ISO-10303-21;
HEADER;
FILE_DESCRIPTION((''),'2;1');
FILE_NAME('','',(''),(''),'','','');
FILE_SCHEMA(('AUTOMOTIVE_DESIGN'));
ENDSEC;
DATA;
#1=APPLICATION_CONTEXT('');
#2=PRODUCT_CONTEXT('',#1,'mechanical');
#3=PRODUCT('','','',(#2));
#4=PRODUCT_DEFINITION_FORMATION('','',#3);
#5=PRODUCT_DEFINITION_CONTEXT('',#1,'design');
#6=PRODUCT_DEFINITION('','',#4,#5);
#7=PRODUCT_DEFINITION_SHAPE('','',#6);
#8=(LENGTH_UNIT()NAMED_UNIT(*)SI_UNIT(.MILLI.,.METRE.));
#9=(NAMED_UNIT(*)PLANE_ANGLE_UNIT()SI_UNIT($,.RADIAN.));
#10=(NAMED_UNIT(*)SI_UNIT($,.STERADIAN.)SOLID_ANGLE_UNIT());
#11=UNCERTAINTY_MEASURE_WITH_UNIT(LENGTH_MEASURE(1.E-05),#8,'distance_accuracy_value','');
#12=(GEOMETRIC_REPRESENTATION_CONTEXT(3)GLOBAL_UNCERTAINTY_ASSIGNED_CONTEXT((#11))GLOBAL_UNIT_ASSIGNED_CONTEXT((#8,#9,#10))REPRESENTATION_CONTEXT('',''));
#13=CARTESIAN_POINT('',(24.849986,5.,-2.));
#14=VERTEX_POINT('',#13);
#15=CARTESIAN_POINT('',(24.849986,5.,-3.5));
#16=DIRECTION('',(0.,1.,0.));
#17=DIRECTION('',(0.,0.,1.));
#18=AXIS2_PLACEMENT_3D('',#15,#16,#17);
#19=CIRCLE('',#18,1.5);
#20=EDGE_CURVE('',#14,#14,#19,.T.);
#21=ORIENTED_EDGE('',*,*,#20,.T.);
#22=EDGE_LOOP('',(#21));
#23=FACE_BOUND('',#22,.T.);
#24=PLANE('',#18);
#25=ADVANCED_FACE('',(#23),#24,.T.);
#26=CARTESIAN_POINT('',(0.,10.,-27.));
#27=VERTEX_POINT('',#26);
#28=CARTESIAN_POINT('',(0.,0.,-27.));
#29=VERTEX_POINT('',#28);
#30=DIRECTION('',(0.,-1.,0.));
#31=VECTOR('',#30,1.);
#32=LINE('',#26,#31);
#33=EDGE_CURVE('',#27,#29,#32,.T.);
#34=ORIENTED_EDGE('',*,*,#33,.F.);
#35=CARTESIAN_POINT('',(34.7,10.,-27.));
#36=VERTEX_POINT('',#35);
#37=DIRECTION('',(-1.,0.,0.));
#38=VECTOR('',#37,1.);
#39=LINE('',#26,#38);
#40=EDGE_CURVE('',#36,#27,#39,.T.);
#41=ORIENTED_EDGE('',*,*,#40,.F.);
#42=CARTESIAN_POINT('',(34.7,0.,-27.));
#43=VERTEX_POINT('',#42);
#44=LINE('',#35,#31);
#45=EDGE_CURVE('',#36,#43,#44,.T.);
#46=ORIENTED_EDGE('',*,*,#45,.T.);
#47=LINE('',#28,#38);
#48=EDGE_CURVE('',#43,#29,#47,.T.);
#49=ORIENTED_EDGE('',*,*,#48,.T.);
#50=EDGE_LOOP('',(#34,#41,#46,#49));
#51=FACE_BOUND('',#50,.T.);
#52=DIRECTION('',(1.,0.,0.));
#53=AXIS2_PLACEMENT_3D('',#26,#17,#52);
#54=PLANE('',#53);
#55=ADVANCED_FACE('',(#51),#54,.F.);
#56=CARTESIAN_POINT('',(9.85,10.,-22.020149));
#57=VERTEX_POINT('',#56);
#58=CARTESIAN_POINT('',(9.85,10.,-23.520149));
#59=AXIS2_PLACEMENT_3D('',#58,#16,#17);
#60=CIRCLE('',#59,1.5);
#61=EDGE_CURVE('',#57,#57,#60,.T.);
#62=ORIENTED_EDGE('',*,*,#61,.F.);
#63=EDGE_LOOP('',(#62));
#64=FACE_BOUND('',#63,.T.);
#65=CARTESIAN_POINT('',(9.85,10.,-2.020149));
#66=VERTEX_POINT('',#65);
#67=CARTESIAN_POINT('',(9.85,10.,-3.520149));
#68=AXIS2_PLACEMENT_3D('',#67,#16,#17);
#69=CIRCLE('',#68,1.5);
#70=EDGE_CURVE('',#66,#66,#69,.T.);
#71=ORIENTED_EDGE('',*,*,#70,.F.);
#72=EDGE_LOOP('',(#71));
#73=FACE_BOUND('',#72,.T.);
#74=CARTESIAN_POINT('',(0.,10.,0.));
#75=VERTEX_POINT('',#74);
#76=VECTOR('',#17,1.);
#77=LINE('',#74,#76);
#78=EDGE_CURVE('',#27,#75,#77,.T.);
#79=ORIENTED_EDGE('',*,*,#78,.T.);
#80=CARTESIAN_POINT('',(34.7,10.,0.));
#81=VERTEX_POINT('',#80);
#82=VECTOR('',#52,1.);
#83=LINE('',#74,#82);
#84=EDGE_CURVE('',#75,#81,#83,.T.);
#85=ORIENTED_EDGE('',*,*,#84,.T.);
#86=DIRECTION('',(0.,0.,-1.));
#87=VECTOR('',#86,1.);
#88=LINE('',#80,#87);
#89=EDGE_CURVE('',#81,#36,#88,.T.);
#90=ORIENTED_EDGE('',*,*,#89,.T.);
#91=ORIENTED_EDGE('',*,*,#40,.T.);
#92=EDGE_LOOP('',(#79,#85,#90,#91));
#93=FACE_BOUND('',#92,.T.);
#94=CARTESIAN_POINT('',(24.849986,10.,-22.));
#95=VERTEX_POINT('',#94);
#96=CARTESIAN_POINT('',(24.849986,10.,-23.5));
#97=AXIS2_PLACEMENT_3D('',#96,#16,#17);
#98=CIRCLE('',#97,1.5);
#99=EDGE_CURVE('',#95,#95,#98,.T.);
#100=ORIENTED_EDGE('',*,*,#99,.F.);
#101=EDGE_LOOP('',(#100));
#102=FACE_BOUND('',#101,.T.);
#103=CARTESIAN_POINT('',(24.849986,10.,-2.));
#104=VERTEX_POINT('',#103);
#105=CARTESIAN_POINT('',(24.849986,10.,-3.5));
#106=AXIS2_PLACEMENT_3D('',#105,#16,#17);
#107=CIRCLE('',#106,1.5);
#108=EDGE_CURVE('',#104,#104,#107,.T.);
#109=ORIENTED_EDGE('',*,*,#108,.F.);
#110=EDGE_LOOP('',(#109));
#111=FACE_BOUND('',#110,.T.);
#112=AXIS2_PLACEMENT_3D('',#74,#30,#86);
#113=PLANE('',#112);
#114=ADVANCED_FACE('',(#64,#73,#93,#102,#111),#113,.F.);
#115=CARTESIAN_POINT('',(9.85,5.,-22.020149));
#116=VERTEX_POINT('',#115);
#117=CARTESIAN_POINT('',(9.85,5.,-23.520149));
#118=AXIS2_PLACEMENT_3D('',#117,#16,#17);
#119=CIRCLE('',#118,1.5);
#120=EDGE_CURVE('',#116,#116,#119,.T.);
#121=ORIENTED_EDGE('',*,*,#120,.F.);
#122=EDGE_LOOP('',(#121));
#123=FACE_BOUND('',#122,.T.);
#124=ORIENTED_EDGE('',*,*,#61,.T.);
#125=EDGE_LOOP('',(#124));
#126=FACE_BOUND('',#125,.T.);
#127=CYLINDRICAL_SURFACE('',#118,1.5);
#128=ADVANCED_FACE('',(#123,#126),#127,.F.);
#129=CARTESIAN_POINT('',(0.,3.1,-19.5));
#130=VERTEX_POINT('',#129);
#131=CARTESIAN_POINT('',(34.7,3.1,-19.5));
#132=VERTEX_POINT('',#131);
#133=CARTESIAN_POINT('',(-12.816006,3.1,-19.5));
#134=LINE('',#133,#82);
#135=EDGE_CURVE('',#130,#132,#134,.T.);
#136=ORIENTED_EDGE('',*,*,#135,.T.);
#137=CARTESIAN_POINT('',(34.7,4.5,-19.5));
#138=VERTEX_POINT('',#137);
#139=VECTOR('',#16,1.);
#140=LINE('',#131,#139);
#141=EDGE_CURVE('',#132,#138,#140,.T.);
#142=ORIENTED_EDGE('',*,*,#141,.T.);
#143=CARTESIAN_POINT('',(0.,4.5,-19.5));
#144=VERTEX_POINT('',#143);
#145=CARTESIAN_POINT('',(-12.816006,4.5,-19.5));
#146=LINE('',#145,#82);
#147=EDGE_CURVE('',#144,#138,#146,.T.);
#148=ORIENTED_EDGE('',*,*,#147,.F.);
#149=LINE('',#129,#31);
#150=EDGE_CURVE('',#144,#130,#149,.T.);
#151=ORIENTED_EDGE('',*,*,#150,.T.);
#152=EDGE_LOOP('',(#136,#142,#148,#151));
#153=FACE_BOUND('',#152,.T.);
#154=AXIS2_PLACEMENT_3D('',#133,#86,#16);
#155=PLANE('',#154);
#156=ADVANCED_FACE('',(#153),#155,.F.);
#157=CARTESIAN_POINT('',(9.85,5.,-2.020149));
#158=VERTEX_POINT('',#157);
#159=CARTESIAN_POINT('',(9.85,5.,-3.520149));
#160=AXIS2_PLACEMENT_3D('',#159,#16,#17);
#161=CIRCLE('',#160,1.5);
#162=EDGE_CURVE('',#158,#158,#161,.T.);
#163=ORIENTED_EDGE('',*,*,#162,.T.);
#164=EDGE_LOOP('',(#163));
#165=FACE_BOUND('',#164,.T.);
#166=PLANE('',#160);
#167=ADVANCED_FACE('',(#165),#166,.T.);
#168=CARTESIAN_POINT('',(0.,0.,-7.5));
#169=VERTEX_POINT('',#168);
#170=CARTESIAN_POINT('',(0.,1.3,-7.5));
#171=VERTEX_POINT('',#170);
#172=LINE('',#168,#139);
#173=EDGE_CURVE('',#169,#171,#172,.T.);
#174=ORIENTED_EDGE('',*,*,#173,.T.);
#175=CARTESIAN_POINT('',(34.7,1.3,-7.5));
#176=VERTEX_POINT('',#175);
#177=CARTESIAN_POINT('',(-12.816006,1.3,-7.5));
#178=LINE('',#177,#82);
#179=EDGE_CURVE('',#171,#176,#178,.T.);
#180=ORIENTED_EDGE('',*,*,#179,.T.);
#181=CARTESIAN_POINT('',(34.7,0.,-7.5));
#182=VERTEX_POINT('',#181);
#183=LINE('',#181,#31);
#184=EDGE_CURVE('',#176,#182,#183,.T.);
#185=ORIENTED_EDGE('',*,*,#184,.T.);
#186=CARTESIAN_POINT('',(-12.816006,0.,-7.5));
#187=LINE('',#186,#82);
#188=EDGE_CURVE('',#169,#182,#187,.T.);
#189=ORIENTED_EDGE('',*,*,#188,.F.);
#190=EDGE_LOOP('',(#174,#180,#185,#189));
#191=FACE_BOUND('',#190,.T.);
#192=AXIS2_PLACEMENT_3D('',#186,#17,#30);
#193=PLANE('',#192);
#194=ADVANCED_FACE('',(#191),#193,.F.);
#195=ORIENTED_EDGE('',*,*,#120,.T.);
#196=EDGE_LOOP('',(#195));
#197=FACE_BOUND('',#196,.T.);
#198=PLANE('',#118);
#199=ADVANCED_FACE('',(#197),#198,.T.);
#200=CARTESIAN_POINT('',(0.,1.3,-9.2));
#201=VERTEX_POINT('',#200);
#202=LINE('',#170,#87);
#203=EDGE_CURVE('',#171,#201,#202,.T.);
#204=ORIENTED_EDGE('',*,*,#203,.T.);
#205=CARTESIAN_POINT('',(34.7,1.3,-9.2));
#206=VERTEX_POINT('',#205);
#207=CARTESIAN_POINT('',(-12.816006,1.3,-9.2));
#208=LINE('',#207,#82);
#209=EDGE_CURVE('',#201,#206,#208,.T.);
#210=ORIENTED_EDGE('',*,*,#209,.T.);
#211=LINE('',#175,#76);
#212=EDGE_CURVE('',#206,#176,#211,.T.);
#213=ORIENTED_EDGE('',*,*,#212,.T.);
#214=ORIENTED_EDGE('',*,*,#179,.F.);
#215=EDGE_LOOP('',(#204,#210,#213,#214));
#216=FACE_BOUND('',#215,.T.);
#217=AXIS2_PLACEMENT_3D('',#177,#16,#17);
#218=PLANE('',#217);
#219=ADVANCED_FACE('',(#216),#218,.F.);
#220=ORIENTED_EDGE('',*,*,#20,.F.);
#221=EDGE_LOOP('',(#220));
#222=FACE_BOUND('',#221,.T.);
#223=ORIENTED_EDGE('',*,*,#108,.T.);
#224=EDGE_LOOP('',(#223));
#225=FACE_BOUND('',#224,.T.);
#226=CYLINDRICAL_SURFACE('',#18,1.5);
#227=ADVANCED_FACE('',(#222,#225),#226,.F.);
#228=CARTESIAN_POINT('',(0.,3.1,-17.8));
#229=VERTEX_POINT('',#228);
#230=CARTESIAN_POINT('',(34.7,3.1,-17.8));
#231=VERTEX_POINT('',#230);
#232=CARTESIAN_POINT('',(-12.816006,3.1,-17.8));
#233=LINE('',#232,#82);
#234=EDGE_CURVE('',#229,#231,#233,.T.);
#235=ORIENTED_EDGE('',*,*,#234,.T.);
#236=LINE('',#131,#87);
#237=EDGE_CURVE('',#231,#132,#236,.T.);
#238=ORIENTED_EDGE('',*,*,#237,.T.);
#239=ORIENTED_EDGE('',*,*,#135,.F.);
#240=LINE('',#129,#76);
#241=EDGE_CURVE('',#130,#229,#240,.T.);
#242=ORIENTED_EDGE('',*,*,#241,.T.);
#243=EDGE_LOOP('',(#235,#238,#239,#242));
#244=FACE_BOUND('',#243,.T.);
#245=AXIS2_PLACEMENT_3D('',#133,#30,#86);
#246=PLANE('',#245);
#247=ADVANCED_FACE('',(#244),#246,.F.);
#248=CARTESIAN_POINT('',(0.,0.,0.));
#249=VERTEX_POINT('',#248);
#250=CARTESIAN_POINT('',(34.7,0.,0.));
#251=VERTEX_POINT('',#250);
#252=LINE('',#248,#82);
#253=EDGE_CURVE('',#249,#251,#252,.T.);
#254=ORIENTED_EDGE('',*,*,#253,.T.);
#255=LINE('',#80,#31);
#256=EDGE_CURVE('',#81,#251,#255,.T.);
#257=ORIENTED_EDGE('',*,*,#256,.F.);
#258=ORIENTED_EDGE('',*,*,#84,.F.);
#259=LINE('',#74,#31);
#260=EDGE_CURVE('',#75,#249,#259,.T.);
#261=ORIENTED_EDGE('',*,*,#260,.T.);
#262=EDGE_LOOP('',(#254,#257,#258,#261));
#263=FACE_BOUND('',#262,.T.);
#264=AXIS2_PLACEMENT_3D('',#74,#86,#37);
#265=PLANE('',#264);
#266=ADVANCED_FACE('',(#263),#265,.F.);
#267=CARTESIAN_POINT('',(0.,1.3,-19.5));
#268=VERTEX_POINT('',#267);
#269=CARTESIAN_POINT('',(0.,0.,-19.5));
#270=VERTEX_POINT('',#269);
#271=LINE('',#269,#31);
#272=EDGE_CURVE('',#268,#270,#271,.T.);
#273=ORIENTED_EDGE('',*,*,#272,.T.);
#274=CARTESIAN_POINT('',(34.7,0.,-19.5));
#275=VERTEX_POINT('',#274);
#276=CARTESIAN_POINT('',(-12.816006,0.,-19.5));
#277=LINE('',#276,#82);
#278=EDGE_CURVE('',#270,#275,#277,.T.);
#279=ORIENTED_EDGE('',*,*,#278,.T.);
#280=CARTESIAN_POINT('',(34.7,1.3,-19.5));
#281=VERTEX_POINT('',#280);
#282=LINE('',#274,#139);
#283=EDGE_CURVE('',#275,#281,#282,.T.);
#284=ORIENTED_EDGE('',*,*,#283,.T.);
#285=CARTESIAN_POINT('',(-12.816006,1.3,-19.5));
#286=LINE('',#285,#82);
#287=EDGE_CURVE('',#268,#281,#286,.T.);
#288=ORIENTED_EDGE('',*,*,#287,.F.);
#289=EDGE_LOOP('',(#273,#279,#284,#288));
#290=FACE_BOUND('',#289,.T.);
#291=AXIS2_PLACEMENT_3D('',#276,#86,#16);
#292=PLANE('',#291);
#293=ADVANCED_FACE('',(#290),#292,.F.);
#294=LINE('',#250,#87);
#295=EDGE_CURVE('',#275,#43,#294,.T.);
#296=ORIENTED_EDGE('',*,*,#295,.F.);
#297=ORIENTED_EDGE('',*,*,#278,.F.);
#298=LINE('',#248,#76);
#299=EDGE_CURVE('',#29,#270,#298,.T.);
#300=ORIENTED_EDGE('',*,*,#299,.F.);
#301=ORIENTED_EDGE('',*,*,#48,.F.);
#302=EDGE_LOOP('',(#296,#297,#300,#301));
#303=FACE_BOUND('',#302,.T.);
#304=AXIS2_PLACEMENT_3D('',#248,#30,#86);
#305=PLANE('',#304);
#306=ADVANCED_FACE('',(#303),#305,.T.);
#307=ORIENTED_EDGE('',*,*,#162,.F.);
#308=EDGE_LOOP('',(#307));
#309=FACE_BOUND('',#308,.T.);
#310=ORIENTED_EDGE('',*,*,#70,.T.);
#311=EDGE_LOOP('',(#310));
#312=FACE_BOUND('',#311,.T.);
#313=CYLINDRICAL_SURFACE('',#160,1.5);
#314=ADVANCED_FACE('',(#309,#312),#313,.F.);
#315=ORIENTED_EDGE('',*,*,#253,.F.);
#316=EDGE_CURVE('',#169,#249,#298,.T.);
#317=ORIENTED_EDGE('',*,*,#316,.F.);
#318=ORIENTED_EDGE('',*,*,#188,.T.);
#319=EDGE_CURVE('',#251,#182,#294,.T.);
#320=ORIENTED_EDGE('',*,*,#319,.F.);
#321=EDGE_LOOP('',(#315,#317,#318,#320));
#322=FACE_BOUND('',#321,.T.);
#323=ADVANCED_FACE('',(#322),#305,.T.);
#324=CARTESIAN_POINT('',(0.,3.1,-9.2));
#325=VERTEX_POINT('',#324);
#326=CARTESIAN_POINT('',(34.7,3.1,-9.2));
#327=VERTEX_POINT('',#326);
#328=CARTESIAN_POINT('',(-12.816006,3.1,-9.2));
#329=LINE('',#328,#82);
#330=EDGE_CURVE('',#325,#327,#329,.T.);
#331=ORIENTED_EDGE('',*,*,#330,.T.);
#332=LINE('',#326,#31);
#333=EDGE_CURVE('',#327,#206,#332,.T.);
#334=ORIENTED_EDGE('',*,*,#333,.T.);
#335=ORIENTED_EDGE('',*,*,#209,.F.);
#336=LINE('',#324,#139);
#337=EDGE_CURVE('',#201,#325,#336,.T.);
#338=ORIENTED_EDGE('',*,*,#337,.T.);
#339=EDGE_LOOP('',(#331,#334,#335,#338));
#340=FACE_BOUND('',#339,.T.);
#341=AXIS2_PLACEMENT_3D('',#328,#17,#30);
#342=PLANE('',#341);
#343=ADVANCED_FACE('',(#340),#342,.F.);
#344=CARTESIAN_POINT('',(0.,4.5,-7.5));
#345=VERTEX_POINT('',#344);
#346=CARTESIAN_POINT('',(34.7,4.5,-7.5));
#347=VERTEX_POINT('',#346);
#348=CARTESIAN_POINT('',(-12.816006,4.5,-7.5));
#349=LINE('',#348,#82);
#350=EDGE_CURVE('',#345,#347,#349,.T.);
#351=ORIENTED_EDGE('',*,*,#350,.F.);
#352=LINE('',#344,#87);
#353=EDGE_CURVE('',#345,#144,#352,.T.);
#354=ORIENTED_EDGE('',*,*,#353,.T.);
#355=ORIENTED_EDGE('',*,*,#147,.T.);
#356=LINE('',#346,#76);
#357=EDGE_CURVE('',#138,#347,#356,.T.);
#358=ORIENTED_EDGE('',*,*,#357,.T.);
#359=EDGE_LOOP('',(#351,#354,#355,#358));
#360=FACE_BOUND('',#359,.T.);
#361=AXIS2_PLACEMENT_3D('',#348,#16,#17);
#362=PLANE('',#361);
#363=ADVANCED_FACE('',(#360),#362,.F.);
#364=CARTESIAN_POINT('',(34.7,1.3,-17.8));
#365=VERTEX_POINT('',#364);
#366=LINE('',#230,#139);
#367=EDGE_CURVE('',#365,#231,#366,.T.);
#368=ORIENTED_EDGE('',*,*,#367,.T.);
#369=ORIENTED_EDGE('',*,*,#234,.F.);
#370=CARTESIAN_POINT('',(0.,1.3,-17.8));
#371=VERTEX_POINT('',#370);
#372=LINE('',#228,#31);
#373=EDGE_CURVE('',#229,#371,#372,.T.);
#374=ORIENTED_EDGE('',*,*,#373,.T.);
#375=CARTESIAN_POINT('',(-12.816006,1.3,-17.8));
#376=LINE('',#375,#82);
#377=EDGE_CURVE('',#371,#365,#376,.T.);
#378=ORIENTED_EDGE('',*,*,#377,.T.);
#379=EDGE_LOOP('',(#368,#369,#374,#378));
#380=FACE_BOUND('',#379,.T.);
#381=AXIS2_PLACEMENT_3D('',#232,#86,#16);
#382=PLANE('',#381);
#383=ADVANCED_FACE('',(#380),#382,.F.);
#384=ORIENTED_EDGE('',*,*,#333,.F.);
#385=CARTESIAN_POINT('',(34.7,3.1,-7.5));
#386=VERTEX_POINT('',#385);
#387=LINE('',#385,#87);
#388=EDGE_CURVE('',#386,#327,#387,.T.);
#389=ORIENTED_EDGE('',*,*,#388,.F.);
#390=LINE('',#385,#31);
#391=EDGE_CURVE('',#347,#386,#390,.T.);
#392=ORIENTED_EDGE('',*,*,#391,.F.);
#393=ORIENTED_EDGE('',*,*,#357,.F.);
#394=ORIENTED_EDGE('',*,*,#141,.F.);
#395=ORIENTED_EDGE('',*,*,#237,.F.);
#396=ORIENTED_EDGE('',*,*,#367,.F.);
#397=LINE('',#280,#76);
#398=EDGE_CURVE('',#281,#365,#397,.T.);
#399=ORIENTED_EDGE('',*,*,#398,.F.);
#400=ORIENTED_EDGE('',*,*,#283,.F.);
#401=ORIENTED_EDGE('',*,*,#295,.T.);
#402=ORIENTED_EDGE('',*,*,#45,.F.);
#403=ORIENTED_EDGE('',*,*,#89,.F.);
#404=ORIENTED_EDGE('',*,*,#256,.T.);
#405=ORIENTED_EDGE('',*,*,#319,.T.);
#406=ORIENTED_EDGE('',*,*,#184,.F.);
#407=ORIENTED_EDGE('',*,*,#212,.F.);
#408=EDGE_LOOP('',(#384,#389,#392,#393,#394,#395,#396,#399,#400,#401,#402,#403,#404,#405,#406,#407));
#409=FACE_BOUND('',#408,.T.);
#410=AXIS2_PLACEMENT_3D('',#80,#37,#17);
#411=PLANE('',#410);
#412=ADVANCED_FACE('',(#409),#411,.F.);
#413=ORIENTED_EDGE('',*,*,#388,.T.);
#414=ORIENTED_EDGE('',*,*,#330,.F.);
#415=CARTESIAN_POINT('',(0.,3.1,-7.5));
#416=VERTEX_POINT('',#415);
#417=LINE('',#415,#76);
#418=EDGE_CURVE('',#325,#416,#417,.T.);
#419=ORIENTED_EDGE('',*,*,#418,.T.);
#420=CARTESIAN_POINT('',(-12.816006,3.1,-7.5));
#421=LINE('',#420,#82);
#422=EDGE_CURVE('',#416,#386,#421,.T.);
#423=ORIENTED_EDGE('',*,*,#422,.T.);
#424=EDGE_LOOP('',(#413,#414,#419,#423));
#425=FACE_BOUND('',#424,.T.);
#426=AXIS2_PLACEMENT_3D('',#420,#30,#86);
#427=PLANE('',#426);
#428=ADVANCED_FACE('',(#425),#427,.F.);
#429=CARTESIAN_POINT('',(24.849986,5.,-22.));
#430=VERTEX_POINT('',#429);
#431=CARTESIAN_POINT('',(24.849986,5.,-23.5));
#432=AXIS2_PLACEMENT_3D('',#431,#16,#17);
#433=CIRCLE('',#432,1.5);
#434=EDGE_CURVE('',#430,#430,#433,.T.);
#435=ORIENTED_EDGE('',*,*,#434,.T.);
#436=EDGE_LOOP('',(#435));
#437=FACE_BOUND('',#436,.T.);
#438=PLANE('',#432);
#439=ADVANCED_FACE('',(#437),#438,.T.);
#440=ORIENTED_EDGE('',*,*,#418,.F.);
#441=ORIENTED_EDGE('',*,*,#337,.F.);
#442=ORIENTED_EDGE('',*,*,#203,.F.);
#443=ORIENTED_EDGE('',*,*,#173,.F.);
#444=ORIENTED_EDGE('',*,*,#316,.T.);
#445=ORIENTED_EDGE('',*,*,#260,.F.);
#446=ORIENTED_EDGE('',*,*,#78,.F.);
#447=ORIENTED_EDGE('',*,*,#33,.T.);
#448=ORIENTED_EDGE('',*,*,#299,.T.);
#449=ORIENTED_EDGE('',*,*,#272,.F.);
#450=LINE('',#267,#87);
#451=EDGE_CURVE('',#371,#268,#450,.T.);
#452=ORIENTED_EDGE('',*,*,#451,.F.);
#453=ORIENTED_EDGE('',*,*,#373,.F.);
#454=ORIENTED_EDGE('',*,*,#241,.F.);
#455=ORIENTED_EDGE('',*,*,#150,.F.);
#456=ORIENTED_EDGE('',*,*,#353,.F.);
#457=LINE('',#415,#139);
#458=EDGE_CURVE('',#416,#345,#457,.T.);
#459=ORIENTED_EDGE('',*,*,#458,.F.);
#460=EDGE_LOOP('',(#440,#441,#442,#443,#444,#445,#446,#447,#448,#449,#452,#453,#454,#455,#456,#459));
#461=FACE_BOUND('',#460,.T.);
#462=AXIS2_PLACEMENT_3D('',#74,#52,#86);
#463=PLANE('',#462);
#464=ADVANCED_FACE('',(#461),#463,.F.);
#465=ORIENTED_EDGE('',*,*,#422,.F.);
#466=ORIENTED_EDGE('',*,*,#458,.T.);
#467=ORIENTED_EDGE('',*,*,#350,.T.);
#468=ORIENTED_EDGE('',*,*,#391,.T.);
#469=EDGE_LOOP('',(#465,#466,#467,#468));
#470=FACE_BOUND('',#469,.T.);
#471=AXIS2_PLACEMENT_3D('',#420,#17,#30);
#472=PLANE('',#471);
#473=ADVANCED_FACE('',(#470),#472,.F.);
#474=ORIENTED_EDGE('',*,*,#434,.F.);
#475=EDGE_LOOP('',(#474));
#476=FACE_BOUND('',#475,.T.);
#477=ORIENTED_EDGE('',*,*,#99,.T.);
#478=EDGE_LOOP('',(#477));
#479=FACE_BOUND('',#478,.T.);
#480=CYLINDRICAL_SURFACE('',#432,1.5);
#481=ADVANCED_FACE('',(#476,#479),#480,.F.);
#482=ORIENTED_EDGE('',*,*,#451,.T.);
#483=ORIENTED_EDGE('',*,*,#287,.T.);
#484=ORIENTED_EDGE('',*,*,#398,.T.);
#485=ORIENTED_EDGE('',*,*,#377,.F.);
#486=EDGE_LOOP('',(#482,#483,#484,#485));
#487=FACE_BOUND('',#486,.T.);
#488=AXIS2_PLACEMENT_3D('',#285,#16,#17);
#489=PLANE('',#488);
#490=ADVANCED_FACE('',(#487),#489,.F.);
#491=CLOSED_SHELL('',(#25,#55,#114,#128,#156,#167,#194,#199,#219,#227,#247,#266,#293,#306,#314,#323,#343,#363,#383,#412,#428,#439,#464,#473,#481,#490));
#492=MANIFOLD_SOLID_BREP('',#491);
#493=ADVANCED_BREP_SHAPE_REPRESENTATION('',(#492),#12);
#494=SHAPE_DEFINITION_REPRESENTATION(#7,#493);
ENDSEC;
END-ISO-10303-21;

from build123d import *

# Parameters (mm, degrees)
CROQUIS1_W              = 34.7
CROQUIS1_H              = 27
SALIENTE_EXTRUIR1_DEPTH = 10
CROQUIS2_R              = 1.5
CORTAR_EXTRUIR1_DEPTH   = 5
CORTAR_EXTRUIR2_DEPTH   = 34.7


with BuildPart() as part:
    # Croquis1 → Saliente-Extruir1 (new body)
    with BuildSketch(Plane(origin=(0, 0, 0), x_dir=(1, 0, 0), z_dir=(0, 1, 0))):
        with Locations((17.35, 13.5)):
            Rectangle(CROQUIS1_W, CROQUIS1_H)
    extrude(amount=SALIENTE_EXTRUIR1_DEPTH)

    # Croquis2 → Cortar-Extruir1 (cut)
    with BuildSketch(Plane(origin=(0, 10, 0), x_dir=(1, 0, 0), z_dir=(0, 1, 0))):
        with Locations((9.85, 23.52014925)):
            Circle(CROQUIS2_R)
        with Locations((24.849986467, 23.5)):
            Circle(CROQUIS2_R)
        with Locations((9.85, 3.52014925)):
            Circle(CROQUIS2_R)
        with Locations((24.849986467, 3.5)):
            Circle(CROQUIS2_R)
    extrude(amount=-CORTAR_EXTRUIR1_DEPTH, mode=Mode.SUBTRACT)

    # Croquis3 → Cortar-Extruir2 (cut)
    with BuildSketch(Plane(origin=(34.7, 0, 0), x_dir=(0, 0, -1), z_dir=(1, 0, 0))):
        Polygon((7.5, 0), (19.5, 0), (19.5, 1.3), (17.8, 1.3), (17.8, 3.1), (19.5, 3.1), (19.5, 4.5), (7.5, 4.5), (7.5, 3.1), (9.2, 3.1), (9.2, 1.3), (7.5, 1.3), align=None)
    extrude(amount=-CORTAR_EXTRUIR2_DEPTH, mode=Mode.SUBTRACT)


solid = part.part
